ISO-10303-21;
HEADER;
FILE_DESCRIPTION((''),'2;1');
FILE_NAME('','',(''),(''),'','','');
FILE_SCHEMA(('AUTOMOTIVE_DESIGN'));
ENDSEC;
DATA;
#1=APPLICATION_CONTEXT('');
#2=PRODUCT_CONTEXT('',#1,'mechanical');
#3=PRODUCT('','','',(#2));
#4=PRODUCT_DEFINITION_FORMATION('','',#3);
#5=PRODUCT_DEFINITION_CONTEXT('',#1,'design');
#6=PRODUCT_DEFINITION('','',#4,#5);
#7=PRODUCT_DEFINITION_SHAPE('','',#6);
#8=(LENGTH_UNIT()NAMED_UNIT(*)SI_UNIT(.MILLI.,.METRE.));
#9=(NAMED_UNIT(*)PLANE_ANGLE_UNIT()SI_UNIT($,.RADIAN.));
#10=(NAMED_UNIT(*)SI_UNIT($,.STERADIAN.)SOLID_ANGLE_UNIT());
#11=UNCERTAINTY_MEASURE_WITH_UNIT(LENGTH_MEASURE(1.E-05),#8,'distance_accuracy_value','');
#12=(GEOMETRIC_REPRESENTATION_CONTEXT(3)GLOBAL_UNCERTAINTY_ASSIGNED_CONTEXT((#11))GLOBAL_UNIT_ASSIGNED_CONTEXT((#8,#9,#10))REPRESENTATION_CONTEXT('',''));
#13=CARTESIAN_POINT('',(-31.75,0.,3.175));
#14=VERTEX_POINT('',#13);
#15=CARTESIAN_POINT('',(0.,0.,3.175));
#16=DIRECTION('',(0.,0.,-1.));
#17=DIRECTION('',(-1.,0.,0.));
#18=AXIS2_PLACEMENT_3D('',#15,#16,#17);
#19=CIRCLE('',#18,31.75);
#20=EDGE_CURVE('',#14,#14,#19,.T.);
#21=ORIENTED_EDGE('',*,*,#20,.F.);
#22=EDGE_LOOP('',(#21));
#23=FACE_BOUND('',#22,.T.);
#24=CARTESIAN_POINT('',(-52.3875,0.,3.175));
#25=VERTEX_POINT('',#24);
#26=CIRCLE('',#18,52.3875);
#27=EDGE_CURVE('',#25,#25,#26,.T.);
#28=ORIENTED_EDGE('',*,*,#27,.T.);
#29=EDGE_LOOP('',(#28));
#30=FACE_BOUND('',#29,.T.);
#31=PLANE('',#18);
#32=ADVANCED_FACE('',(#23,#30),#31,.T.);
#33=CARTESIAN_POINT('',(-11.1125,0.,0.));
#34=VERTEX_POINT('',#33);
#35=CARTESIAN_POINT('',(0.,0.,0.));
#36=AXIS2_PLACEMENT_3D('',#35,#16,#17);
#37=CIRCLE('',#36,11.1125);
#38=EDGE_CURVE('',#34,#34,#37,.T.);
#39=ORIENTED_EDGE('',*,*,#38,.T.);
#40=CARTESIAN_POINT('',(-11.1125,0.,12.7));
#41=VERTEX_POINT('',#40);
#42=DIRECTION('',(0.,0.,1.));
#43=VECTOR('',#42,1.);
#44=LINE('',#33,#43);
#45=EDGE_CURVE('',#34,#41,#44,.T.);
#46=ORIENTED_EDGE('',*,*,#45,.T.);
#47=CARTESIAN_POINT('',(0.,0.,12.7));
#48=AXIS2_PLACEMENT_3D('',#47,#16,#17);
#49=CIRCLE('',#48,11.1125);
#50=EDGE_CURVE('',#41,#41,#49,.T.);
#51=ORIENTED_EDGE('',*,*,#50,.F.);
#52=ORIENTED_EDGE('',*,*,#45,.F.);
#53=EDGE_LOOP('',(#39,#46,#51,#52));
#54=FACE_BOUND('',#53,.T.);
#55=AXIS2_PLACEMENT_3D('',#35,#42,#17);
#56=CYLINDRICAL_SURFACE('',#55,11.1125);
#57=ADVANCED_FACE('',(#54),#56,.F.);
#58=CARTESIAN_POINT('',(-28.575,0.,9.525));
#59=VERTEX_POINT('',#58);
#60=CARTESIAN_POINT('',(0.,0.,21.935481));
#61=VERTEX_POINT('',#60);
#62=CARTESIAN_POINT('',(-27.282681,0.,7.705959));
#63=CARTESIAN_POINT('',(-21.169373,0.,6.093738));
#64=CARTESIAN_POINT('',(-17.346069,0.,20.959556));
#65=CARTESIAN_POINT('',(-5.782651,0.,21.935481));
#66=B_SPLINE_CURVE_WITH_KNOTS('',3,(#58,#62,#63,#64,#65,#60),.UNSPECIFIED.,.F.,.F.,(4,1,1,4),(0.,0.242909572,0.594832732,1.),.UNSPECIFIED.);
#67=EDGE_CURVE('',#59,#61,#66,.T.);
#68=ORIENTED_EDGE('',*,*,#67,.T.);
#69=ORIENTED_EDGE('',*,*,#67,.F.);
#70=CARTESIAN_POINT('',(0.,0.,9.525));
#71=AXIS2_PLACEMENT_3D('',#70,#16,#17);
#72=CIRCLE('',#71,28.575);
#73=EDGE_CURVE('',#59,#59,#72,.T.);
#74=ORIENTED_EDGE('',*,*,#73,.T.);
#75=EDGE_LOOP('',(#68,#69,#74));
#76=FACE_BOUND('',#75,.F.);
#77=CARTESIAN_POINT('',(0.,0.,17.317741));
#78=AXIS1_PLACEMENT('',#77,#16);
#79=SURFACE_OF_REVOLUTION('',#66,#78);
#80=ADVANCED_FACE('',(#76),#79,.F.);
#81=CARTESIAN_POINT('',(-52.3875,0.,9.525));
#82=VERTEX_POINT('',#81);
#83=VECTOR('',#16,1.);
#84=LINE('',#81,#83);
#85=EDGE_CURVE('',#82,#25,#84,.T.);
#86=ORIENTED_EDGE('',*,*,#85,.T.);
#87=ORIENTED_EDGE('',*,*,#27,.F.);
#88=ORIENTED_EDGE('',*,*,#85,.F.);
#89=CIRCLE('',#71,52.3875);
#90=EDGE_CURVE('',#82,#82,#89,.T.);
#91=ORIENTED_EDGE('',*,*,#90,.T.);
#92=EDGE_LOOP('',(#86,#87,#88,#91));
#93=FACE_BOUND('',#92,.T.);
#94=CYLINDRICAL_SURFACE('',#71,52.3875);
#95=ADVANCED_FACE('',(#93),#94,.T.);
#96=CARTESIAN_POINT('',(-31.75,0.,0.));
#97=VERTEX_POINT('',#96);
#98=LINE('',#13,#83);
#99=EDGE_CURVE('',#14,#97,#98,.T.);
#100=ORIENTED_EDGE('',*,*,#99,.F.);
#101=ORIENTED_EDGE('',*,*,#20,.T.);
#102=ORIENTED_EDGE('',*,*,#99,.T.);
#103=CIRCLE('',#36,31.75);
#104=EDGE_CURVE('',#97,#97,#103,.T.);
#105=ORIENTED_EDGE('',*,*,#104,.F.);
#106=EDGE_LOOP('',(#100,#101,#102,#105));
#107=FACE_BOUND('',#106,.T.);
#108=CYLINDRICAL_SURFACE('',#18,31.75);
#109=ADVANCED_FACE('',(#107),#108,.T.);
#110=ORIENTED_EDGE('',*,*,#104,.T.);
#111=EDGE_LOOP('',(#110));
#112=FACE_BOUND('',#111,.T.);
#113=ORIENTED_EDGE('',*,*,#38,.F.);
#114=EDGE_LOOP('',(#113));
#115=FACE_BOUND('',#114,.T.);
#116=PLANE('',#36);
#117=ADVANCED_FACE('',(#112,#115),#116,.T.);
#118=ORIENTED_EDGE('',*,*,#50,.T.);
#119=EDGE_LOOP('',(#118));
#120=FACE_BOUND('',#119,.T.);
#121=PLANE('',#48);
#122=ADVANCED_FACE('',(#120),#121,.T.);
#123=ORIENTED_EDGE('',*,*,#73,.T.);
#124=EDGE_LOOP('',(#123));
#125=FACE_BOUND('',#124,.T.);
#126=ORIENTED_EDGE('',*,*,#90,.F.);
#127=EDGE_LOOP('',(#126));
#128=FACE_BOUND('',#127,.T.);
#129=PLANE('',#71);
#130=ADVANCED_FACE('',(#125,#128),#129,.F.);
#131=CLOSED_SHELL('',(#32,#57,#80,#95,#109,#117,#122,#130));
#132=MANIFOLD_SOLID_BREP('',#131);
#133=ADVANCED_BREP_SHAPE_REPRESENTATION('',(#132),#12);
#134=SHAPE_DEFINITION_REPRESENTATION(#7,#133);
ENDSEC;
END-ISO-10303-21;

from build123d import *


with BuildPart() as f1:
    # F0 (on Front) → F1 (revolve)
    with BuildSketch(Plane.XZ):
        with BuildLine():
            Line((-11.1125, 12.7), (0, 12.7))
            Line((0, 12.7), (0, 21.9354813044))
            add(Edge.make_bspline(
                [(-28.575, 9.525), (-27.2826813161, 7.7059585601), (-21.1693725575, 6.0937384297), (-17.3460685473, 20.9595560437), (-5.7826509232, 21.9354813044), (0, 21.9354813044)],
                knots=[0, 0, 0, 0, 0.2429095716, 0.5948327317, 1, 1, 1, 1], degree=3))
            Line((-28.575, 9.525), (-52.3875, 9.525))
            Line((-52.3875, 9.525), (-52.3875, 3.175))
            Line((-52.3875, 3.175), (-31.75, 3.175))
            Line((-31.75, 3.175), (-31.75, 0))
            Line((-31.75, 0), (-11.1125, 0))
            Line((-11.1125, 0), (-11.1125, 12.7))
        make_face()
    revolve(axis=Axis((0, 0, 17.3177406522), (0, 0, -1)))


solid = f1.part
